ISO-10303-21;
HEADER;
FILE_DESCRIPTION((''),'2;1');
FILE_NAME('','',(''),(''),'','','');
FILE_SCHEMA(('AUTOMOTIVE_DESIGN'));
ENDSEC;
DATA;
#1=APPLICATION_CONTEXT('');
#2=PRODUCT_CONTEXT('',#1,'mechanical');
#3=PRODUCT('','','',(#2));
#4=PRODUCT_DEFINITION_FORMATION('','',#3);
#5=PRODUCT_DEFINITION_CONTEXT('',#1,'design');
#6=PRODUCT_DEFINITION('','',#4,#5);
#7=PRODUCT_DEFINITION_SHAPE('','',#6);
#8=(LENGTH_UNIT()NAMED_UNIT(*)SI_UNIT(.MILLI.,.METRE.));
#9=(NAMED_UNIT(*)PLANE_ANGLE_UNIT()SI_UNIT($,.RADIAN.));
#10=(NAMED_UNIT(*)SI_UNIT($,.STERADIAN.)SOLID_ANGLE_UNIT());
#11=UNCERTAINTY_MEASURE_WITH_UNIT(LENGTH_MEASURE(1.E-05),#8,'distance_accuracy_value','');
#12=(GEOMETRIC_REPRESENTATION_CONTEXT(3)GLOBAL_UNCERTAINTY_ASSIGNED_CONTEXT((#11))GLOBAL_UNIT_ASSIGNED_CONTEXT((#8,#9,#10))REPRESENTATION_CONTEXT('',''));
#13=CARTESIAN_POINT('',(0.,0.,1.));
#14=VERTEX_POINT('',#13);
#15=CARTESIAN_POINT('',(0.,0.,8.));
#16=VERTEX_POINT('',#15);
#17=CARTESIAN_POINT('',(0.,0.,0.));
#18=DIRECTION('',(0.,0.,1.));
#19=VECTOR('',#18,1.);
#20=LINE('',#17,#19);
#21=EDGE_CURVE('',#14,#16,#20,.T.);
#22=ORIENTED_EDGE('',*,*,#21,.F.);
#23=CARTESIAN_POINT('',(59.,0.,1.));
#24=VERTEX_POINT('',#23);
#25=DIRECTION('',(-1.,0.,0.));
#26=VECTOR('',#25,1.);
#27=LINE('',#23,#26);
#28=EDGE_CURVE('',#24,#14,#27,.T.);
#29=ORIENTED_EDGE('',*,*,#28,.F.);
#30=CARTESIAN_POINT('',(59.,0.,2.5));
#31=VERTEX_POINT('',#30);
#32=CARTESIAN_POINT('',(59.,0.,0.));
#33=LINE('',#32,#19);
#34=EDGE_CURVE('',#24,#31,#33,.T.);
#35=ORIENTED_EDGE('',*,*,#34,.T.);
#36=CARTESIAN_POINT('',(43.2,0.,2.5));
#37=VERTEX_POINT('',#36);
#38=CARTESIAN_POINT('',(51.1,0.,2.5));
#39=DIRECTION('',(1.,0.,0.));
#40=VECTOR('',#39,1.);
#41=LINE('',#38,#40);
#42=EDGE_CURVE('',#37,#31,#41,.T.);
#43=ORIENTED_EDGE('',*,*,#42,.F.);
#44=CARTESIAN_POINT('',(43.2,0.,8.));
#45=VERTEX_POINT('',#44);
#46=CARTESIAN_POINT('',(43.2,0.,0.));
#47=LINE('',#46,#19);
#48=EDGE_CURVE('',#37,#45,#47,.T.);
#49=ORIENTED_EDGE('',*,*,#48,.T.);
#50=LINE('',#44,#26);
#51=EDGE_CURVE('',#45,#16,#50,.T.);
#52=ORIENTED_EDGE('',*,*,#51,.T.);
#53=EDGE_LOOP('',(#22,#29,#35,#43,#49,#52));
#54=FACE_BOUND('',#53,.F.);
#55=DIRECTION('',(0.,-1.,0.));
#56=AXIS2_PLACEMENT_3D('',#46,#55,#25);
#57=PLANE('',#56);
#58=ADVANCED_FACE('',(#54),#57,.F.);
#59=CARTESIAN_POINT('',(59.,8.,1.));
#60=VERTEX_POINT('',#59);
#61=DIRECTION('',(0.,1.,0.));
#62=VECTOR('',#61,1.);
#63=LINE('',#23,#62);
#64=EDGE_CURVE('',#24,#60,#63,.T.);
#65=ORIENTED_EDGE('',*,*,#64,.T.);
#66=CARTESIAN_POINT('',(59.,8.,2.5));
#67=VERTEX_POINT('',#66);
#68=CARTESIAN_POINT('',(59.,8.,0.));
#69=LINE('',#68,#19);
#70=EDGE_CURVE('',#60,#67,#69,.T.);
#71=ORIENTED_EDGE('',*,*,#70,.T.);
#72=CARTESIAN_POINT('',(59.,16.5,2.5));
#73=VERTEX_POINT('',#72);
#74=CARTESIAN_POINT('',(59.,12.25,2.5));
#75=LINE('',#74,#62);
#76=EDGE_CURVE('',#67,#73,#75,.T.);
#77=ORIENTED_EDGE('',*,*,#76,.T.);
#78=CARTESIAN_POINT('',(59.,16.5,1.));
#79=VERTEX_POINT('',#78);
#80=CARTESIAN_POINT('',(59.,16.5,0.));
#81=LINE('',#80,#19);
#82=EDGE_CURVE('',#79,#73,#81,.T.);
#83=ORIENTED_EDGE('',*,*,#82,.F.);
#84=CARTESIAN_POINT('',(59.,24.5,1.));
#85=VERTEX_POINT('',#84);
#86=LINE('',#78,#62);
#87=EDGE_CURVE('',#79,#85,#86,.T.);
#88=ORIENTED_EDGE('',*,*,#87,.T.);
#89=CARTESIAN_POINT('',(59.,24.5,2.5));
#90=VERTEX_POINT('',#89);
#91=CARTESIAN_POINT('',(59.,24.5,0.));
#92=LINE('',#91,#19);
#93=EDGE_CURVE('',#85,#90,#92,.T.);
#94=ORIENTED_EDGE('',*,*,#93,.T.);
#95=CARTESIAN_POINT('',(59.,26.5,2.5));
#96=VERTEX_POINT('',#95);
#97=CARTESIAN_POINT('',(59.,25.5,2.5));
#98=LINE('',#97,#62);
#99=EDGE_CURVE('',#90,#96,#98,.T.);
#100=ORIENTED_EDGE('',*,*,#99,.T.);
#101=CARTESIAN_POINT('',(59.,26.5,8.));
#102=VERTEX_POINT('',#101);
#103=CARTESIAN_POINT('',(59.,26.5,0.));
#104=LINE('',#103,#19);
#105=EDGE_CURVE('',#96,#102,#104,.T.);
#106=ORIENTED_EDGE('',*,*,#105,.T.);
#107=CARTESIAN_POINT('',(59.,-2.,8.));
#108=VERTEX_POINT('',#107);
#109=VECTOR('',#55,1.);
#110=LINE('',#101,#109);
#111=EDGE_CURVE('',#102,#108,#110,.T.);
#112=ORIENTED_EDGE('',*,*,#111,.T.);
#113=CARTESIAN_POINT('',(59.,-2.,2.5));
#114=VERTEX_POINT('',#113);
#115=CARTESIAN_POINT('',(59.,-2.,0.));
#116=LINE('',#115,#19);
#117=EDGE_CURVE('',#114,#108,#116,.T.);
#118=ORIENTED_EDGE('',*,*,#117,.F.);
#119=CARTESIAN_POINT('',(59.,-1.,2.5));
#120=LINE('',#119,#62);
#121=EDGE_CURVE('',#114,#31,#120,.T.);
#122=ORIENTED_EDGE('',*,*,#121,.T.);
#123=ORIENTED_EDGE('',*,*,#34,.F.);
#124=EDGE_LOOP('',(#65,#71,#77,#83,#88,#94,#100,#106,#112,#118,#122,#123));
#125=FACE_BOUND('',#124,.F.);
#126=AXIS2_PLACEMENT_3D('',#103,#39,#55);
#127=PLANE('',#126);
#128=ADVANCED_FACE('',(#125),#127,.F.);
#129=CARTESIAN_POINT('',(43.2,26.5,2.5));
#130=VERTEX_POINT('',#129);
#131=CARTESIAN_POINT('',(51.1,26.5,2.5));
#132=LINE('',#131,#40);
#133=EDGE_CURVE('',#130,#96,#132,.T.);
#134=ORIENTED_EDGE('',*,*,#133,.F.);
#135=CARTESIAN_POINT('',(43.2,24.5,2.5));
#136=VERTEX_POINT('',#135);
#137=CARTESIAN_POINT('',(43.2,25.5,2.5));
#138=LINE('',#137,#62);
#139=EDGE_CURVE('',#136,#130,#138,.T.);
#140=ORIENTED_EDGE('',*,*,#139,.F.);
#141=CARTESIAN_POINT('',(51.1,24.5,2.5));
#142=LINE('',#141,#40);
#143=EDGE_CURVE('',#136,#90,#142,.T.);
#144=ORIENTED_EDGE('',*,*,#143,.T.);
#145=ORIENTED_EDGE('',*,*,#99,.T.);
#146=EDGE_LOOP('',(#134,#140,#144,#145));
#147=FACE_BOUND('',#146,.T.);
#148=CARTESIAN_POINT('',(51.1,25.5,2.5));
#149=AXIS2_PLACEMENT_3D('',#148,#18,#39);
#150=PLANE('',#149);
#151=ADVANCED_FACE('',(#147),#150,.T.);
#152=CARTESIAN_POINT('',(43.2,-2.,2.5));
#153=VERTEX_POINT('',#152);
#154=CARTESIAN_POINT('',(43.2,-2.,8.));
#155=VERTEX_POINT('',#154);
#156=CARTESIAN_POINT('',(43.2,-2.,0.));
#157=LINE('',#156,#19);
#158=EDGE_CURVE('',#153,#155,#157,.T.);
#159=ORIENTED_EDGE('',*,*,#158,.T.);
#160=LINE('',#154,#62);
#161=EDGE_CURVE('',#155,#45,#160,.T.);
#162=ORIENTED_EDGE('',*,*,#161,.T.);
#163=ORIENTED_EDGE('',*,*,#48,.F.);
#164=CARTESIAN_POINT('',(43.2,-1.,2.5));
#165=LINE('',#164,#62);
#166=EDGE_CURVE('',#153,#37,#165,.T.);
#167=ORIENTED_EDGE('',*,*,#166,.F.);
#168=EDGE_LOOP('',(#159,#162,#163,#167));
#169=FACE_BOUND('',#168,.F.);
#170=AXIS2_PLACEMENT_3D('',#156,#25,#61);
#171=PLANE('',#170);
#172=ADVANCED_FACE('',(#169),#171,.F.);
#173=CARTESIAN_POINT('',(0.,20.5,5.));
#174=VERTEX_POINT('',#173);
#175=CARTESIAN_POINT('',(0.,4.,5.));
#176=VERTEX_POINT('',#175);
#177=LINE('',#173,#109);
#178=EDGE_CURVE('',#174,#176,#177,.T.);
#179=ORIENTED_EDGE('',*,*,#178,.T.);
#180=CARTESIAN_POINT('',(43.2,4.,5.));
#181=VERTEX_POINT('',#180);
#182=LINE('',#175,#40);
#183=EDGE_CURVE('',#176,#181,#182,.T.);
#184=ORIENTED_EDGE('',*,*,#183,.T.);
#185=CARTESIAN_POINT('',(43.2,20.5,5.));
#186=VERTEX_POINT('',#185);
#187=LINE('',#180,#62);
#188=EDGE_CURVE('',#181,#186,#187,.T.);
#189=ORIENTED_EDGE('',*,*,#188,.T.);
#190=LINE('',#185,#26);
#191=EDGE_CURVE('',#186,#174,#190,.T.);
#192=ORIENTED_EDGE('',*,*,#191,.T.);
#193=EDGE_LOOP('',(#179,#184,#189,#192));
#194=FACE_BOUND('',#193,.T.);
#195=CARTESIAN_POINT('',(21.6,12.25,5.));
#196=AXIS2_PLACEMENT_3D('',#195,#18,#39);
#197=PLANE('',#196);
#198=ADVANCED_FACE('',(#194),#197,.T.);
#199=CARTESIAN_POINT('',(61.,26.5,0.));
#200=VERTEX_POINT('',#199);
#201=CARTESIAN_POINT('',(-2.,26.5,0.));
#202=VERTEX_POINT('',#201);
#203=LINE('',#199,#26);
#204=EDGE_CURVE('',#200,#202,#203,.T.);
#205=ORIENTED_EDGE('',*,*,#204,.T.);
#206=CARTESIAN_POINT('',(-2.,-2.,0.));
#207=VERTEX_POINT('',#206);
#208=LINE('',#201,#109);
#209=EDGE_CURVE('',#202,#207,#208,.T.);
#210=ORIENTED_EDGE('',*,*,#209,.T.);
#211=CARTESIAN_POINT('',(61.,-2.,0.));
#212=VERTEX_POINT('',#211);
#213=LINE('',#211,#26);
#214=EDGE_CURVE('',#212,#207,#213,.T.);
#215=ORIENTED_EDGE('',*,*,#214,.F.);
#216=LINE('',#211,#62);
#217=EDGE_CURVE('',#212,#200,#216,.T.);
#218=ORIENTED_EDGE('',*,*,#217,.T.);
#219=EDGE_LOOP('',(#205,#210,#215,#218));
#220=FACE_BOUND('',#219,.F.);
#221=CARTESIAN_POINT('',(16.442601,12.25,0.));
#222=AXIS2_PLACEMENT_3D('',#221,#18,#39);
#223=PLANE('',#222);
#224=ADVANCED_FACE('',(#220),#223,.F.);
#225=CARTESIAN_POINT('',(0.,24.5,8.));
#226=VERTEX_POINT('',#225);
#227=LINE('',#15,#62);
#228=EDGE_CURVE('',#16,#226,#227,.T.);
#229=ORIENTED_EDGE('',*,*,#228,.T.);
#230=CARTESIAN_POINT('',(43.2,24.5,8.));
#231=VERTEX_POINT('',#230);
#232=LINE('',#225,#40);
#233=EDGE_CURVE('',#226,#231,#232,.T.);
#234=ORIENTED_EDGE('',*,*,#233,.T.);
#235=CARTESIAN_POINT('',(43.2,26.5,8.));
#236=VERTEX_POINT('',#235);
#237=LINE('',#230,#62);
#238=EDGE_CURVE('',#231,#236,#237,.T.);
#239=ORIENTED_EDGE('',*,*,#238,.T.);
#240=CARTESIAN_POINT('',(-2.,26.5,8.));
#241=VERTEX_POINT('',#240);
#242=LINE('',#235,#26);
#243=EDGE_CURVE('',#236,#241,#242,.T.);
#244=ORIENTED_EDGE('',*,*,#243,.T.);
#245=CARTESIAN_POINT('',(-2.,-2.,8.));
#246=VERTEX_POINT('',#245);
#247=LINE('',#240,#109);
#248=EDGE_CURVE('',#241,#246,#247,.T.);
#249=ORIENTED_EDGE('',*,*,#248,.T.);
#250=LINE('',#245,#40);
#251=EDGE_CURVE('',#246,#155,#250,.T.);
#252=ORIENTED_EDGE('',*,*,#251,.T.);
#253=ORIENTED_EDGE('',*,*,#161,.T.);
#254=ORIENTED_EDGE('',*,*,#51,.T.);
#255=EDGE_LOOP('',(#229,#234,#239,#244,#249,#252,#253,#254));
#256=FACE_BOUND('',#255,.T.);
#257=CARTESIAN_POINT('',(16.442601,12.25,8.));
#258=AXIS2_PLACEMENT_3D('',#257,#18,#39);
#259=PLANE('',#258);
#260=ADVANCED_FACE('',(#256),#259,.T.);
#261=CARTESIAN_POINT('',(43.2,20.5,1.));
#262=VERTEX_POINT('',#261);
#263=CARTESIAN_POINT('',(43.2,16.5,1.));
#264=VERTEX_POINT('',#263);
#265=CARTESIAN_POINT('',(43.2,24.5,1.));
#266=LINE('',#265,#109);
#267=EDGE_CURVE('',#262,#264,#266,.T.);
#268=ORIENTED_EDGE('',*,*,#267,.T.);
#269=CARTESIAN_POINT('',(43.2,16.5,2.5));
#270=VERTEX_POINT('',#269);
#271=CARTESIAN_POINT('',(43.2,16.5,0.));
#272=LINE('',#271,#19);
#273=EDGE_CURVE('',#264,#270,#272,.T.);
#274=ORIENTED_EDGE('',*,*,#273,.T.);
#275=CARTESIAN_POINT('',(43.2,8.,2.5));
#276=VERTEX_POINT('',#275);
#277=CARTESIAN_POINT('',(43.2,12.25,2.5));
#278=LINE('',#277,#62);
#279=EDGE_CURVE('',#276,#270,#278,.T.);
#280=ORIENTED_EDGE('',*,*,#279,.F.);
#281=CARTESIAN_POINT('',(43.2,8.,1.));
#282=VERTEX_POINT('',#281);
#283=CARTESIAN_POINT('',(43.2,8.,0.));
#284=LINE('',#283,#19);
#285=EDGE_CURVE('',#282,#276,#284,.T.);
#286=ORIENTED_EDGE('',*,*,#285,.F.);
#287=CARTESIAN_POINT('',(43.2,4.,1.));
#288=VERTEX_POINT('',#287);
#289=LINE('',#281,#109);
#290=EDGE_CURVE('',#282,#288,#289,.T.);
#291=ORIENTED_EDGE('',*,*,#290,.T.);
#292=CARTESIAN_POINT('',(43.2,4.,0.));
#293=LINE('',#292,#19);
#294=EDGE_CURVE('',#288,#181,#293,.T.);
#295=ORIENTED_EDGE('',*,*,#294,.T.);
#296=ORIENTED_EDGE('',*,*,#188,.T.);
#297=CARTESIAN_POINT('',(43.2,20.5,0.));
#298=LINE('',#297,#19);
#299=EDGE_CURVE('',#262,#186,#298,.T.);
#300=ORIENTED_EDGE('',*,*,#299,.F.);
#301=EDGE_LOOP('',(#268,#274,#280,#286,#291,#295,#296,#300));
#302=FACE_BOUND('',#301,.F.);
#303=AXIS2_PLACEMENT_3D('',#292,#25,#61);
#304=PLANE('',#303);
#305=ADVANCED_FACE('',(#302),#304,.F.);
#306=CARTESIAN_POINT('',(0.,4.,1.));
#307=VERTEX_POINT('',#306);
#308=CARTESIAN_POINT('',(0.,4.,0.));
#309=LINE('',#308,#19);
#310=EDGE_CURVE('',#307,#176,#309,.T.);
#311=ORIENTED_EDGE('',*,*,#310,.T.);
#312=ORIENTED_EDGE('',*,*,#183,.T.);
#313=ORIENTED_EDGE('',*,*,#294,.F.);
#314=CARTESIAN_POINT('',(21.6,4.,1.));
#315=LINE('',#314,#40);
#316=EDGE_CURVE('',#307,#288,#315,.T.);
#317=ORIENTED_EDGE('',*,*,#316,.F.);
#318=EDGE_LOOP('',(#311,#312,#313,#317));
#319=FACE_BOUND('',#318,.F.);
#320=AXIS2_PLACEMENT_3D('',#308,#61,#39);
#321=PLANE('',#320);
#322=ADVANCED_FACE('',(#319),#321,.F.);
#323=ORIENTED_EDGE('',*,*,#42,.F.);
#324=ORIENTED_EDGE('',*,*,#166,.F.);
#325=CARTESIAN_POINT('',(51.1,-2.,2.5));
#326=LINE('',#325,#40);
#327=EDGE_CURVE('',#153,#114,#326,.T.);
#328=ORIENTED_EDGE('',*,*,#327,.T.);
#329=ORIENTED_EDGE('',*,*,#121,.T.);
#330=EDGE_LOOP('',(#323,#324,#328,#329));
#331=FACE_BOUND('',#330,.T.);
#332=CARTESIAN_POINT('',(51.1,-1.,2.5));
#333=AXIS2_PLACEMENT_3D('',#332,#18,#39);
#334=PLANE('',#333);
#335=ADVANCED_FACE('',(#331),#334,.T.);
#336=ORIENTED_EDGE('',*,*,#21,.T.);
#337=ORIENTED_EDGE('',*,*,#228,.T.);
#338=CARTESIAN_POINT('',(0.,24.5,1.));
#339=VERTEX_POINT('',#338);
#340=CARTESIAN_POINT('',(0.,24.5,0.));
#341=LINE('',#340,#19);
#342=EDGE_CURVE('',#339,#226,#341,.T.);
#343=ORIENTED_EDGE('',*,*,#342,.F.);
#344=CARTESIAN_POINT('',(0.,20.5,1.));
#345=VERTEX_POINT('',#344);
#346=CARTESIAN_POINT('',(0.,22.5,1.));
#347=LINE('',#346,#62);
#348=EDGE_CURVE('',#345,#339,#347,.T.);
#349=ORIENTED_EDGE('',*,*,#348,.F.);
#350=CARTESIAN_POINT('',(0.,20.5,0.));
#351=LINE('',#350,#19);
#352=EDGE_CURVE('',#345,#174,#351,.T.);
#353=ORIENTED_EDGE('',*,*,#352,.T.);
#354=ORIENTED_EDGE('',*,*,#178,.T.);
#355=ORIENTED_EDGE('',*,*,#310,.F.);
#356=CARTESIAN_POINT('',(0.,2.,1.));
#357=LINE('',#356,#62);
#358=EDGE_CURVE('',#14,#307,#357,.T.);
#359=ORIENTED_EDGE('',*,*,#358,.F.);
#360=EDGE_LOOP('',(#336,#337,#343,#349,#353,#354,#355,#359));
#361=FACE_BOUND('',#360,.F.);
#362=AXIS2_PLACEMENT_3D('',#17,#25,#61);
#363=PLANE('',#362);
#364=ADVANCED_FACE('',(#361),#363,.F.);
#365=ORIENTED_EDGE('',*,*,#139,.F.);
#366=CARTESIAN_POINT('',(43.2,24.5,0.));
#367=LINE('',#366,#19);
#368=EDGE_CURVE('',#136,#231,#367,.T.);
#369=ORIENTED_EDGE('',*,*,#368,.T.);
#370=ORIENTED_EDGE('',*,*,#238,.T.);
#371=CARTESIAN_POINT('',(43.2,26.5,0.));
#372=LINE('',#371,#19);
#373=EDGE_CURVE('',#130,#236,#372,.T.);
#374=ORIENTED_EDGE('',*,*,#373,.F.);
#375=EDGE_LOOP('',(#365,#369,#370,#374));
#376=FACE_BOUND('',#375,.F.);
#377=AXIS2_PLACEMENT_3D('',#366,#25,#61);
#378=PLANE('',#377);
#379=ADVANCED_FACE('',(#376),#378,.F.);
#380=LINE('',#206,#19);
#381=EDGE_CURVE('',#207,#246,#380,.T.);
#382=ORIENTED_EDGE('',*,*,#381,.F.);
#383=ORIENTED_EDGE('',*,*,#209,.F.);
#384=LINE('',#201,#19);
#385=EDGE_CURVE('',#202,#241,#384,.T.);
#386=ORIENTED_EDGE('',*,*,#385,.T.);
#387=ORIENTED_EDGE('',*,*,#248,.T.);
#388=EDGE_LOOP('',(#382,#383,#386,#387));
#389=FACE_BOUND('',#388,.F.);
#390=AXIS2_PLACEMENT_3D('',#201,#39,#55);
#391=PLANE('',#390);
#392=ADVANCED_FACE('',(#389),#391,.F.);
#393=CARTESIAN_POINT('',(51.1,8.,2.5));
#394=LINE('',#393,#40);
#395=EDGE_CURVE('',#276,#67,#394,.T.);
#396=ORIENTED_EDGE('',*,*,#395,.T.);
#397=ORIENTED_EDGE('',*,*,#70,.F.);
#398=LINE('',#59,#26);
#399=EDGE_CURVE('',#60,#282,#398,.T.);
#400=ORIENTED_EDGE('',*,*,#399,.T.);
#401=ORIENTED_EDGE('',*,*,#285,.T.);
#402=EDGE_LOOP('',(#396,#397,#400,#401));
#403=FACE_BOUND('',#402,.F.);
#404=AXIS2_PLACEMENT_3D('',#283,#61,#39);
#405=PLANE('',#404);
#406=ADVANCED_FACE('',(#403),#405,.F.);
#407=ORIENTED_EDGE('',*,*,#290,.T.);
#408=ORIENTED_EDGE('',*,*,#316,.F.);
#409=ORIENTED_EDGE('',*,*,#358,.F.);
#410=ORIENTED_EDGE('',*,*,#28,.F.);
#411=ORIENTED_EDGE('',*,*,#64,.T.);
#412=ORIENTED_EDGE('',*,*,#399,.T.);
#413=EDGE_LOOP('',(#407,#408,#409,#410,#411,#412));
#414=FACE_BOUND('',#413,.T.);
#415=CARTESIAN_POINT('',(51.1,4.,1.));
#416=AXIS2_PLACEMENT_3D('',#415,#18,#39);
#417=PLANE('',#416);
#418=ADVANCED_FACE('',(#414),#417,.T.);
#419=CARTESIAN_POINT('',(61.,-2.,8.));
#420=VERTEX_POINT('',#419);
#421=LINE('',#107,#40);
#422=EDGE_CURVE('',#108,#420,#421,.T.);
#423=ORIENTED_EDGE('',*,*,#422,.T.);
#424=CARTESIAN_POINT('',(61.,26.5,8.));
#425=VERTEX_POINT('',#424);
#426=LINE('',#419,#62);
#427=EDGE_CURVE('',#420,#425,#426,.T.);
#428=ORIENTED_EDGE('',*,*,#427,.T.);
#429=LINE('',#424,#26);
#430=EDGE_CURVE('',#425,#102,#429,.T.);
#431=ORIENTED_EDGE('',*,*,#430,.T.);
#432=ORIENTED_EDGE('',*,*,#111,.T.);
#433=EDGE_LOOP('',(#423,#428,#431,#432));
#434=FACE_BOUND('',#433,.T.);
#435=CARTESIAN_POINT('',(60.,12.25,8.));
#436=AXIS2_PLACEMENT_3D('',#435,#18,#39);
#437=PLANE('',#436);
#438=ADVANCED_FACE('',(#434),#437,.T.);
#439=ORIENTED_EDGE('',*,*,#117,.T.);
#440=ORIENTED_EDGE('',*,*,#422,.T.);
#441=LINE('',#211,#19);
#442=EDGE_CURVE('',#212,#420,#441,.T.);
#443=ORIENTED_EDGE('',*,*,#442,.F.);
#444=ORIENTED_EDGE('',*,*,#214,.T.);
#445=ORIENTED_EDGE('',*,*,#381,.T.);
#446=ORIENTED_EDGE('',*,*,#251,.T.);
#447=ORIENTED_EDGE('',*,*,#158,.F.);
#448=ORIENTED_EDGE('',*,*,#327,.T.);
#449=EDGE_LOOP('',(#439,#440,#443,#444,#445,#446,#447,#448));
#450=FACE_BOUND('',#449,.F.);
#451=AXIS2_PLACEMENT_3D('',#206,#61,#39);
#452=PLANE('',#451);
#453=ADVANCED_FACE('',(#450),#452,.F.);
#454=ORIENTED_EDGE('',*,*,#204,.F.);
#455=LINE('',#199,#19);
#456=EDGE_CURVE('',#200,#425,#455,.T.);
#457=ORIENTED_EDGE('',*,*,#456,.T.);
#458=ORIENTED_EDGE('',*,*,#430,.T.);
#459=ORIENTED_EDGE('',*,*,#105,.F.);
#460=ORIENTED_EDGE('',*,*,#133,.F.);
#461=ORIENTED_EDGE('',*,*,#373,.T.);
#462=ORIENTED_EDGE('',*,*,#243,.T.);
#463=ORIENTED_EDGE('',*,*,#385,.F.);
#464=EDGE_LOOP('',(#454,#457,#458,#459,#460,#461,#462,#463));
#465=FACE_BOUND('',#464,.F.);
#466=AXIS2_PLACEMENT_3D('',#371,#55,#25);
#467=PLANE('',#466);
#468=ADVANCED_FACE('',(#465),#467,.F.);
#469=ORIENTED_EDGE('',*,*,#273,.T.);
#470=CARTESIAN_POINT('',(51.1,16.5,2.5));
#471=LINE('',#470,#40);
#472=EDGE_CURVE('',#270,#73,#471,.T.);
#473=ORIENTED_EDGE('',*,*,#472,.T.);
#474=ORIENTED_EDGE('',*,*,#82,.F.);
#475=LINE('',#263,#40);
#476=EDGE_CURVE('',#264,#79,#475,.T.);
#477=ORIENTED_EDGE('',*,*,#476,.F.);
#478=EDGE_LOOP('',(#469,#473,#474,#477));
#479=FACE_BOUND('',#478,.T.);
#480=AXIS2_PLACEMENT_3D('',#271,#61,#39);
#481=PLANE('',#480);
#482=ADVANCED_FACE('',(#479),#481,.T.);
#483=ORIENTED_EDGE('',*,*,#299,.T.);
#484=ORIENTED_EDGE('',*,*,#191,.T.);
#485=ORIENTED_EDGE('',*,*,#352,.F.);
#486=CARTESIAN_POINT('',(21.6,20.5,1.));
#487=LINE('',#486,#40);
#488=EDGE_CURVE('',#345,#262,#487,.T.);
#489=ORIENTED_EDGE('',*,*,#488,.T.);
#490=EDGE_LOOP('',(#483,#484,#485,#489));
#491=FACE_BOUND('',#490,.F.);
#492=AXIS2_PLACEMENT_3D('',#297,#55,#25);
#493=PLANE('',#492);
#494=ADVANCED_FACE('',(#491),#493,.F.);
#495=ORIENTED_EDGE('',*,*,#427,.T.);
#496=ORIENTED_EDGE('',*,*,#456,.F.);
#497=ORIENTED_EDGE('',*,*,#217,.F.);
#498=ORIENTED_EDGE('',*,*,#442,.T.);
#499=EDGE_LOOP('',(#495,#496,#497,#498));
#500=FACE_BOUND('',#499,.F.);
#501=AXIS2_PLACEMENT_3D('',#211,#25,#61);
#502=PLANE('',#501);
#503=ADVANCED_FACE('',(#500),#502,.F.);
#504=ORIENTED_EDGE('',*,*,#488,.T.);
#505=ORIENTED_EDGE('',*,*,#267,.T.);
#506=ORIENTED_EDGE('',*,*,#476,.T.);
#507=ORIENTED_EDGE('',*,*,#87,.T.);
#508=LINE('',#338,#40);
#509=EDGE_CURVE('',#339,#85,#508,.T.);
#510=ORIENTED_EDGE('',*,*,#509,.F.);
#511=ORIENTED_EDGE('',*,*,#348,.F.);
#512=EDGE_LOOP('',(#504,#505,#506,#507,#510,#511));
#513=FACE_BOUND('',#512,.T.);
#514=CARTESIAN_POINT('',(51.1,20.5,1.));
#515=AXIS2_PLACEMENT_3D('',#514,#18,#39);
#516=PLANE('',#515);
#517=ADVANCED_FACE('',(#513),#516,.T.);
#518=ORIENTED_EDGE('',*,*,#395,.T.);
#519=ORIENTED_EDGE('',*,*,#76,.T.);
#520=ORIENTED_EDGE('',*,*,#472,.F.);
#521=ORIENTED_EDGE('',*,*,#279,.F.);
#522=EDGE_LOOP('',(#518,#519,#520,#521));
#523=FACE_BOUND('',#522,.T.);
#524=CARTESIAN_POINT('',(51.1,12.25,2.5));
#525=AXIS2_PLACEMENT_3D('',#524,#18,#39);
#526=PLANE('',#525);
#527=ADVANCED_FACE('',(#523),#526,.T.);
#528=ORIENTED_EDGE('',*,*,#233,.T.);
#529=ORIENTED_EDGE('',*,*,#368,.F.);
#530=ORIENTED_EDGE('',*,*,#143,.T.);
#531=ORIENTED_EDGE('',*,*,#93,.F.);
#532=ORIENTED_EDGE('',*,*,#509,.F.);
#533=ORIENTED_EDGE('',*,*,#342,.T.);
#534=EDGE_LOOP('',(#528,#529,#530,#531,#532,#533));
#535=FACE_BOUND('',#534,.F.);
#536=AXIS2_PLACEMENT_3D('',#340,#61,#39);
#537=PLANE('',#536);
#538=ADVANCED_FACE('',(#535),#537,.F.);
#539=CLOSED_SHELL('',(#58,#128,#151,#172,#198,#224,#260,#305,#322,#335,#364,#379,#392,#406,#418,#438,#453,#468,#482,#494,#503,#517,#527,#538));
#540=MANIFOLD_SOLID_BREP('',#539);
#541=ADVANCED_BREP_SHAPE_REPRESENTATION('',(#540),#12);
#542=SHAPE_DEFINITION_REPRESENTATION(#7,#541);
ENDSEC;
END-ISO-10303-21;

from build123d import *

# Parameters (mm, degrees)
F0_W     = 43.2
F0_H     = 4
F1_DEPTH = 1
F0_W_2   = 15.8
F0_H_2   = 2
F0_H_3   = 8.5
F2_DEPTH = 2.5
F3_DEPTH = 5
F4_DEPTH = 8


with BuildPart() as f1:
    # F0 (on Top) → F1 (new body)
    with BuildSketch(Plane.XY):
        Polygon((59, 16.5), (59, 24.5), (43.2, 24.5), (43.2, 20.5), (43.2, 16.5), align=None)
        with Locations((21.6, 22.5)):
            Rectangle(F0_W, F0_H)
    extrude(amount=F1_DEPTH)



with BuildPart() as f1b:
    # F0 (on Top) → F1, piece 2 (new body)
    with BuildSketch(Plane.XY):
        Polygon((59, 0), (59, 8), (43.2, 8), (43.2, 4), (43.2, 0), align=None)
        with Locations((21.6, 2)):
            Rectangle(F0_W, F0_H)
    extrude(amount=F1_DEPTH)


with BuildPart() as f1_1:
    add(f1.part)

    add(f1b.part)  # F2 merges F1b
    # F0 (on Top) → F2 (join)
    with BuildSketch(Plane.XY):
        with Locations((51.1, 25.5)):
            Rectangle(F0_W_2, F0_H_2)
        with Locations((51.1, 12.25)):
            Rectangle(F0_W_2, F0_H_3)
        with Locations((51.1, -1)):
            Rectangle(F0_W_2, F0_H_2)
    extrude(amount=F2_DEPTH)

    # F0 (on Top) → F3 (join)
    with BuildSketch(Plane.XY):
        Polygon((43.2, 8), (43.2, 16.5), (43.2, 20.5), (0, 20.5), (0, 4), (43.2, 4), align=None)
    extrude(amount=F3_DEPTH)

    # F0 (on Top) → F4 (join)
    with BuildSketch(Plane.XY):
        Polygon((43.2, 24.5), (43.2, 26.5), (-2, 26.5), (-2, -2), (43.2, -2), (43.2, 0), (0, 0), (0, 4), (0, 20.5), (0, 24.5), align=None)
        Polygon((61, 26.5), (59, 26.5), (59, 24.5), (59, 16.5), (59, 8), (59, 0), (59, -2), (61, -2), align=None)
    extrude(amount=F4_DEPTH)


solid = f1_1.part
